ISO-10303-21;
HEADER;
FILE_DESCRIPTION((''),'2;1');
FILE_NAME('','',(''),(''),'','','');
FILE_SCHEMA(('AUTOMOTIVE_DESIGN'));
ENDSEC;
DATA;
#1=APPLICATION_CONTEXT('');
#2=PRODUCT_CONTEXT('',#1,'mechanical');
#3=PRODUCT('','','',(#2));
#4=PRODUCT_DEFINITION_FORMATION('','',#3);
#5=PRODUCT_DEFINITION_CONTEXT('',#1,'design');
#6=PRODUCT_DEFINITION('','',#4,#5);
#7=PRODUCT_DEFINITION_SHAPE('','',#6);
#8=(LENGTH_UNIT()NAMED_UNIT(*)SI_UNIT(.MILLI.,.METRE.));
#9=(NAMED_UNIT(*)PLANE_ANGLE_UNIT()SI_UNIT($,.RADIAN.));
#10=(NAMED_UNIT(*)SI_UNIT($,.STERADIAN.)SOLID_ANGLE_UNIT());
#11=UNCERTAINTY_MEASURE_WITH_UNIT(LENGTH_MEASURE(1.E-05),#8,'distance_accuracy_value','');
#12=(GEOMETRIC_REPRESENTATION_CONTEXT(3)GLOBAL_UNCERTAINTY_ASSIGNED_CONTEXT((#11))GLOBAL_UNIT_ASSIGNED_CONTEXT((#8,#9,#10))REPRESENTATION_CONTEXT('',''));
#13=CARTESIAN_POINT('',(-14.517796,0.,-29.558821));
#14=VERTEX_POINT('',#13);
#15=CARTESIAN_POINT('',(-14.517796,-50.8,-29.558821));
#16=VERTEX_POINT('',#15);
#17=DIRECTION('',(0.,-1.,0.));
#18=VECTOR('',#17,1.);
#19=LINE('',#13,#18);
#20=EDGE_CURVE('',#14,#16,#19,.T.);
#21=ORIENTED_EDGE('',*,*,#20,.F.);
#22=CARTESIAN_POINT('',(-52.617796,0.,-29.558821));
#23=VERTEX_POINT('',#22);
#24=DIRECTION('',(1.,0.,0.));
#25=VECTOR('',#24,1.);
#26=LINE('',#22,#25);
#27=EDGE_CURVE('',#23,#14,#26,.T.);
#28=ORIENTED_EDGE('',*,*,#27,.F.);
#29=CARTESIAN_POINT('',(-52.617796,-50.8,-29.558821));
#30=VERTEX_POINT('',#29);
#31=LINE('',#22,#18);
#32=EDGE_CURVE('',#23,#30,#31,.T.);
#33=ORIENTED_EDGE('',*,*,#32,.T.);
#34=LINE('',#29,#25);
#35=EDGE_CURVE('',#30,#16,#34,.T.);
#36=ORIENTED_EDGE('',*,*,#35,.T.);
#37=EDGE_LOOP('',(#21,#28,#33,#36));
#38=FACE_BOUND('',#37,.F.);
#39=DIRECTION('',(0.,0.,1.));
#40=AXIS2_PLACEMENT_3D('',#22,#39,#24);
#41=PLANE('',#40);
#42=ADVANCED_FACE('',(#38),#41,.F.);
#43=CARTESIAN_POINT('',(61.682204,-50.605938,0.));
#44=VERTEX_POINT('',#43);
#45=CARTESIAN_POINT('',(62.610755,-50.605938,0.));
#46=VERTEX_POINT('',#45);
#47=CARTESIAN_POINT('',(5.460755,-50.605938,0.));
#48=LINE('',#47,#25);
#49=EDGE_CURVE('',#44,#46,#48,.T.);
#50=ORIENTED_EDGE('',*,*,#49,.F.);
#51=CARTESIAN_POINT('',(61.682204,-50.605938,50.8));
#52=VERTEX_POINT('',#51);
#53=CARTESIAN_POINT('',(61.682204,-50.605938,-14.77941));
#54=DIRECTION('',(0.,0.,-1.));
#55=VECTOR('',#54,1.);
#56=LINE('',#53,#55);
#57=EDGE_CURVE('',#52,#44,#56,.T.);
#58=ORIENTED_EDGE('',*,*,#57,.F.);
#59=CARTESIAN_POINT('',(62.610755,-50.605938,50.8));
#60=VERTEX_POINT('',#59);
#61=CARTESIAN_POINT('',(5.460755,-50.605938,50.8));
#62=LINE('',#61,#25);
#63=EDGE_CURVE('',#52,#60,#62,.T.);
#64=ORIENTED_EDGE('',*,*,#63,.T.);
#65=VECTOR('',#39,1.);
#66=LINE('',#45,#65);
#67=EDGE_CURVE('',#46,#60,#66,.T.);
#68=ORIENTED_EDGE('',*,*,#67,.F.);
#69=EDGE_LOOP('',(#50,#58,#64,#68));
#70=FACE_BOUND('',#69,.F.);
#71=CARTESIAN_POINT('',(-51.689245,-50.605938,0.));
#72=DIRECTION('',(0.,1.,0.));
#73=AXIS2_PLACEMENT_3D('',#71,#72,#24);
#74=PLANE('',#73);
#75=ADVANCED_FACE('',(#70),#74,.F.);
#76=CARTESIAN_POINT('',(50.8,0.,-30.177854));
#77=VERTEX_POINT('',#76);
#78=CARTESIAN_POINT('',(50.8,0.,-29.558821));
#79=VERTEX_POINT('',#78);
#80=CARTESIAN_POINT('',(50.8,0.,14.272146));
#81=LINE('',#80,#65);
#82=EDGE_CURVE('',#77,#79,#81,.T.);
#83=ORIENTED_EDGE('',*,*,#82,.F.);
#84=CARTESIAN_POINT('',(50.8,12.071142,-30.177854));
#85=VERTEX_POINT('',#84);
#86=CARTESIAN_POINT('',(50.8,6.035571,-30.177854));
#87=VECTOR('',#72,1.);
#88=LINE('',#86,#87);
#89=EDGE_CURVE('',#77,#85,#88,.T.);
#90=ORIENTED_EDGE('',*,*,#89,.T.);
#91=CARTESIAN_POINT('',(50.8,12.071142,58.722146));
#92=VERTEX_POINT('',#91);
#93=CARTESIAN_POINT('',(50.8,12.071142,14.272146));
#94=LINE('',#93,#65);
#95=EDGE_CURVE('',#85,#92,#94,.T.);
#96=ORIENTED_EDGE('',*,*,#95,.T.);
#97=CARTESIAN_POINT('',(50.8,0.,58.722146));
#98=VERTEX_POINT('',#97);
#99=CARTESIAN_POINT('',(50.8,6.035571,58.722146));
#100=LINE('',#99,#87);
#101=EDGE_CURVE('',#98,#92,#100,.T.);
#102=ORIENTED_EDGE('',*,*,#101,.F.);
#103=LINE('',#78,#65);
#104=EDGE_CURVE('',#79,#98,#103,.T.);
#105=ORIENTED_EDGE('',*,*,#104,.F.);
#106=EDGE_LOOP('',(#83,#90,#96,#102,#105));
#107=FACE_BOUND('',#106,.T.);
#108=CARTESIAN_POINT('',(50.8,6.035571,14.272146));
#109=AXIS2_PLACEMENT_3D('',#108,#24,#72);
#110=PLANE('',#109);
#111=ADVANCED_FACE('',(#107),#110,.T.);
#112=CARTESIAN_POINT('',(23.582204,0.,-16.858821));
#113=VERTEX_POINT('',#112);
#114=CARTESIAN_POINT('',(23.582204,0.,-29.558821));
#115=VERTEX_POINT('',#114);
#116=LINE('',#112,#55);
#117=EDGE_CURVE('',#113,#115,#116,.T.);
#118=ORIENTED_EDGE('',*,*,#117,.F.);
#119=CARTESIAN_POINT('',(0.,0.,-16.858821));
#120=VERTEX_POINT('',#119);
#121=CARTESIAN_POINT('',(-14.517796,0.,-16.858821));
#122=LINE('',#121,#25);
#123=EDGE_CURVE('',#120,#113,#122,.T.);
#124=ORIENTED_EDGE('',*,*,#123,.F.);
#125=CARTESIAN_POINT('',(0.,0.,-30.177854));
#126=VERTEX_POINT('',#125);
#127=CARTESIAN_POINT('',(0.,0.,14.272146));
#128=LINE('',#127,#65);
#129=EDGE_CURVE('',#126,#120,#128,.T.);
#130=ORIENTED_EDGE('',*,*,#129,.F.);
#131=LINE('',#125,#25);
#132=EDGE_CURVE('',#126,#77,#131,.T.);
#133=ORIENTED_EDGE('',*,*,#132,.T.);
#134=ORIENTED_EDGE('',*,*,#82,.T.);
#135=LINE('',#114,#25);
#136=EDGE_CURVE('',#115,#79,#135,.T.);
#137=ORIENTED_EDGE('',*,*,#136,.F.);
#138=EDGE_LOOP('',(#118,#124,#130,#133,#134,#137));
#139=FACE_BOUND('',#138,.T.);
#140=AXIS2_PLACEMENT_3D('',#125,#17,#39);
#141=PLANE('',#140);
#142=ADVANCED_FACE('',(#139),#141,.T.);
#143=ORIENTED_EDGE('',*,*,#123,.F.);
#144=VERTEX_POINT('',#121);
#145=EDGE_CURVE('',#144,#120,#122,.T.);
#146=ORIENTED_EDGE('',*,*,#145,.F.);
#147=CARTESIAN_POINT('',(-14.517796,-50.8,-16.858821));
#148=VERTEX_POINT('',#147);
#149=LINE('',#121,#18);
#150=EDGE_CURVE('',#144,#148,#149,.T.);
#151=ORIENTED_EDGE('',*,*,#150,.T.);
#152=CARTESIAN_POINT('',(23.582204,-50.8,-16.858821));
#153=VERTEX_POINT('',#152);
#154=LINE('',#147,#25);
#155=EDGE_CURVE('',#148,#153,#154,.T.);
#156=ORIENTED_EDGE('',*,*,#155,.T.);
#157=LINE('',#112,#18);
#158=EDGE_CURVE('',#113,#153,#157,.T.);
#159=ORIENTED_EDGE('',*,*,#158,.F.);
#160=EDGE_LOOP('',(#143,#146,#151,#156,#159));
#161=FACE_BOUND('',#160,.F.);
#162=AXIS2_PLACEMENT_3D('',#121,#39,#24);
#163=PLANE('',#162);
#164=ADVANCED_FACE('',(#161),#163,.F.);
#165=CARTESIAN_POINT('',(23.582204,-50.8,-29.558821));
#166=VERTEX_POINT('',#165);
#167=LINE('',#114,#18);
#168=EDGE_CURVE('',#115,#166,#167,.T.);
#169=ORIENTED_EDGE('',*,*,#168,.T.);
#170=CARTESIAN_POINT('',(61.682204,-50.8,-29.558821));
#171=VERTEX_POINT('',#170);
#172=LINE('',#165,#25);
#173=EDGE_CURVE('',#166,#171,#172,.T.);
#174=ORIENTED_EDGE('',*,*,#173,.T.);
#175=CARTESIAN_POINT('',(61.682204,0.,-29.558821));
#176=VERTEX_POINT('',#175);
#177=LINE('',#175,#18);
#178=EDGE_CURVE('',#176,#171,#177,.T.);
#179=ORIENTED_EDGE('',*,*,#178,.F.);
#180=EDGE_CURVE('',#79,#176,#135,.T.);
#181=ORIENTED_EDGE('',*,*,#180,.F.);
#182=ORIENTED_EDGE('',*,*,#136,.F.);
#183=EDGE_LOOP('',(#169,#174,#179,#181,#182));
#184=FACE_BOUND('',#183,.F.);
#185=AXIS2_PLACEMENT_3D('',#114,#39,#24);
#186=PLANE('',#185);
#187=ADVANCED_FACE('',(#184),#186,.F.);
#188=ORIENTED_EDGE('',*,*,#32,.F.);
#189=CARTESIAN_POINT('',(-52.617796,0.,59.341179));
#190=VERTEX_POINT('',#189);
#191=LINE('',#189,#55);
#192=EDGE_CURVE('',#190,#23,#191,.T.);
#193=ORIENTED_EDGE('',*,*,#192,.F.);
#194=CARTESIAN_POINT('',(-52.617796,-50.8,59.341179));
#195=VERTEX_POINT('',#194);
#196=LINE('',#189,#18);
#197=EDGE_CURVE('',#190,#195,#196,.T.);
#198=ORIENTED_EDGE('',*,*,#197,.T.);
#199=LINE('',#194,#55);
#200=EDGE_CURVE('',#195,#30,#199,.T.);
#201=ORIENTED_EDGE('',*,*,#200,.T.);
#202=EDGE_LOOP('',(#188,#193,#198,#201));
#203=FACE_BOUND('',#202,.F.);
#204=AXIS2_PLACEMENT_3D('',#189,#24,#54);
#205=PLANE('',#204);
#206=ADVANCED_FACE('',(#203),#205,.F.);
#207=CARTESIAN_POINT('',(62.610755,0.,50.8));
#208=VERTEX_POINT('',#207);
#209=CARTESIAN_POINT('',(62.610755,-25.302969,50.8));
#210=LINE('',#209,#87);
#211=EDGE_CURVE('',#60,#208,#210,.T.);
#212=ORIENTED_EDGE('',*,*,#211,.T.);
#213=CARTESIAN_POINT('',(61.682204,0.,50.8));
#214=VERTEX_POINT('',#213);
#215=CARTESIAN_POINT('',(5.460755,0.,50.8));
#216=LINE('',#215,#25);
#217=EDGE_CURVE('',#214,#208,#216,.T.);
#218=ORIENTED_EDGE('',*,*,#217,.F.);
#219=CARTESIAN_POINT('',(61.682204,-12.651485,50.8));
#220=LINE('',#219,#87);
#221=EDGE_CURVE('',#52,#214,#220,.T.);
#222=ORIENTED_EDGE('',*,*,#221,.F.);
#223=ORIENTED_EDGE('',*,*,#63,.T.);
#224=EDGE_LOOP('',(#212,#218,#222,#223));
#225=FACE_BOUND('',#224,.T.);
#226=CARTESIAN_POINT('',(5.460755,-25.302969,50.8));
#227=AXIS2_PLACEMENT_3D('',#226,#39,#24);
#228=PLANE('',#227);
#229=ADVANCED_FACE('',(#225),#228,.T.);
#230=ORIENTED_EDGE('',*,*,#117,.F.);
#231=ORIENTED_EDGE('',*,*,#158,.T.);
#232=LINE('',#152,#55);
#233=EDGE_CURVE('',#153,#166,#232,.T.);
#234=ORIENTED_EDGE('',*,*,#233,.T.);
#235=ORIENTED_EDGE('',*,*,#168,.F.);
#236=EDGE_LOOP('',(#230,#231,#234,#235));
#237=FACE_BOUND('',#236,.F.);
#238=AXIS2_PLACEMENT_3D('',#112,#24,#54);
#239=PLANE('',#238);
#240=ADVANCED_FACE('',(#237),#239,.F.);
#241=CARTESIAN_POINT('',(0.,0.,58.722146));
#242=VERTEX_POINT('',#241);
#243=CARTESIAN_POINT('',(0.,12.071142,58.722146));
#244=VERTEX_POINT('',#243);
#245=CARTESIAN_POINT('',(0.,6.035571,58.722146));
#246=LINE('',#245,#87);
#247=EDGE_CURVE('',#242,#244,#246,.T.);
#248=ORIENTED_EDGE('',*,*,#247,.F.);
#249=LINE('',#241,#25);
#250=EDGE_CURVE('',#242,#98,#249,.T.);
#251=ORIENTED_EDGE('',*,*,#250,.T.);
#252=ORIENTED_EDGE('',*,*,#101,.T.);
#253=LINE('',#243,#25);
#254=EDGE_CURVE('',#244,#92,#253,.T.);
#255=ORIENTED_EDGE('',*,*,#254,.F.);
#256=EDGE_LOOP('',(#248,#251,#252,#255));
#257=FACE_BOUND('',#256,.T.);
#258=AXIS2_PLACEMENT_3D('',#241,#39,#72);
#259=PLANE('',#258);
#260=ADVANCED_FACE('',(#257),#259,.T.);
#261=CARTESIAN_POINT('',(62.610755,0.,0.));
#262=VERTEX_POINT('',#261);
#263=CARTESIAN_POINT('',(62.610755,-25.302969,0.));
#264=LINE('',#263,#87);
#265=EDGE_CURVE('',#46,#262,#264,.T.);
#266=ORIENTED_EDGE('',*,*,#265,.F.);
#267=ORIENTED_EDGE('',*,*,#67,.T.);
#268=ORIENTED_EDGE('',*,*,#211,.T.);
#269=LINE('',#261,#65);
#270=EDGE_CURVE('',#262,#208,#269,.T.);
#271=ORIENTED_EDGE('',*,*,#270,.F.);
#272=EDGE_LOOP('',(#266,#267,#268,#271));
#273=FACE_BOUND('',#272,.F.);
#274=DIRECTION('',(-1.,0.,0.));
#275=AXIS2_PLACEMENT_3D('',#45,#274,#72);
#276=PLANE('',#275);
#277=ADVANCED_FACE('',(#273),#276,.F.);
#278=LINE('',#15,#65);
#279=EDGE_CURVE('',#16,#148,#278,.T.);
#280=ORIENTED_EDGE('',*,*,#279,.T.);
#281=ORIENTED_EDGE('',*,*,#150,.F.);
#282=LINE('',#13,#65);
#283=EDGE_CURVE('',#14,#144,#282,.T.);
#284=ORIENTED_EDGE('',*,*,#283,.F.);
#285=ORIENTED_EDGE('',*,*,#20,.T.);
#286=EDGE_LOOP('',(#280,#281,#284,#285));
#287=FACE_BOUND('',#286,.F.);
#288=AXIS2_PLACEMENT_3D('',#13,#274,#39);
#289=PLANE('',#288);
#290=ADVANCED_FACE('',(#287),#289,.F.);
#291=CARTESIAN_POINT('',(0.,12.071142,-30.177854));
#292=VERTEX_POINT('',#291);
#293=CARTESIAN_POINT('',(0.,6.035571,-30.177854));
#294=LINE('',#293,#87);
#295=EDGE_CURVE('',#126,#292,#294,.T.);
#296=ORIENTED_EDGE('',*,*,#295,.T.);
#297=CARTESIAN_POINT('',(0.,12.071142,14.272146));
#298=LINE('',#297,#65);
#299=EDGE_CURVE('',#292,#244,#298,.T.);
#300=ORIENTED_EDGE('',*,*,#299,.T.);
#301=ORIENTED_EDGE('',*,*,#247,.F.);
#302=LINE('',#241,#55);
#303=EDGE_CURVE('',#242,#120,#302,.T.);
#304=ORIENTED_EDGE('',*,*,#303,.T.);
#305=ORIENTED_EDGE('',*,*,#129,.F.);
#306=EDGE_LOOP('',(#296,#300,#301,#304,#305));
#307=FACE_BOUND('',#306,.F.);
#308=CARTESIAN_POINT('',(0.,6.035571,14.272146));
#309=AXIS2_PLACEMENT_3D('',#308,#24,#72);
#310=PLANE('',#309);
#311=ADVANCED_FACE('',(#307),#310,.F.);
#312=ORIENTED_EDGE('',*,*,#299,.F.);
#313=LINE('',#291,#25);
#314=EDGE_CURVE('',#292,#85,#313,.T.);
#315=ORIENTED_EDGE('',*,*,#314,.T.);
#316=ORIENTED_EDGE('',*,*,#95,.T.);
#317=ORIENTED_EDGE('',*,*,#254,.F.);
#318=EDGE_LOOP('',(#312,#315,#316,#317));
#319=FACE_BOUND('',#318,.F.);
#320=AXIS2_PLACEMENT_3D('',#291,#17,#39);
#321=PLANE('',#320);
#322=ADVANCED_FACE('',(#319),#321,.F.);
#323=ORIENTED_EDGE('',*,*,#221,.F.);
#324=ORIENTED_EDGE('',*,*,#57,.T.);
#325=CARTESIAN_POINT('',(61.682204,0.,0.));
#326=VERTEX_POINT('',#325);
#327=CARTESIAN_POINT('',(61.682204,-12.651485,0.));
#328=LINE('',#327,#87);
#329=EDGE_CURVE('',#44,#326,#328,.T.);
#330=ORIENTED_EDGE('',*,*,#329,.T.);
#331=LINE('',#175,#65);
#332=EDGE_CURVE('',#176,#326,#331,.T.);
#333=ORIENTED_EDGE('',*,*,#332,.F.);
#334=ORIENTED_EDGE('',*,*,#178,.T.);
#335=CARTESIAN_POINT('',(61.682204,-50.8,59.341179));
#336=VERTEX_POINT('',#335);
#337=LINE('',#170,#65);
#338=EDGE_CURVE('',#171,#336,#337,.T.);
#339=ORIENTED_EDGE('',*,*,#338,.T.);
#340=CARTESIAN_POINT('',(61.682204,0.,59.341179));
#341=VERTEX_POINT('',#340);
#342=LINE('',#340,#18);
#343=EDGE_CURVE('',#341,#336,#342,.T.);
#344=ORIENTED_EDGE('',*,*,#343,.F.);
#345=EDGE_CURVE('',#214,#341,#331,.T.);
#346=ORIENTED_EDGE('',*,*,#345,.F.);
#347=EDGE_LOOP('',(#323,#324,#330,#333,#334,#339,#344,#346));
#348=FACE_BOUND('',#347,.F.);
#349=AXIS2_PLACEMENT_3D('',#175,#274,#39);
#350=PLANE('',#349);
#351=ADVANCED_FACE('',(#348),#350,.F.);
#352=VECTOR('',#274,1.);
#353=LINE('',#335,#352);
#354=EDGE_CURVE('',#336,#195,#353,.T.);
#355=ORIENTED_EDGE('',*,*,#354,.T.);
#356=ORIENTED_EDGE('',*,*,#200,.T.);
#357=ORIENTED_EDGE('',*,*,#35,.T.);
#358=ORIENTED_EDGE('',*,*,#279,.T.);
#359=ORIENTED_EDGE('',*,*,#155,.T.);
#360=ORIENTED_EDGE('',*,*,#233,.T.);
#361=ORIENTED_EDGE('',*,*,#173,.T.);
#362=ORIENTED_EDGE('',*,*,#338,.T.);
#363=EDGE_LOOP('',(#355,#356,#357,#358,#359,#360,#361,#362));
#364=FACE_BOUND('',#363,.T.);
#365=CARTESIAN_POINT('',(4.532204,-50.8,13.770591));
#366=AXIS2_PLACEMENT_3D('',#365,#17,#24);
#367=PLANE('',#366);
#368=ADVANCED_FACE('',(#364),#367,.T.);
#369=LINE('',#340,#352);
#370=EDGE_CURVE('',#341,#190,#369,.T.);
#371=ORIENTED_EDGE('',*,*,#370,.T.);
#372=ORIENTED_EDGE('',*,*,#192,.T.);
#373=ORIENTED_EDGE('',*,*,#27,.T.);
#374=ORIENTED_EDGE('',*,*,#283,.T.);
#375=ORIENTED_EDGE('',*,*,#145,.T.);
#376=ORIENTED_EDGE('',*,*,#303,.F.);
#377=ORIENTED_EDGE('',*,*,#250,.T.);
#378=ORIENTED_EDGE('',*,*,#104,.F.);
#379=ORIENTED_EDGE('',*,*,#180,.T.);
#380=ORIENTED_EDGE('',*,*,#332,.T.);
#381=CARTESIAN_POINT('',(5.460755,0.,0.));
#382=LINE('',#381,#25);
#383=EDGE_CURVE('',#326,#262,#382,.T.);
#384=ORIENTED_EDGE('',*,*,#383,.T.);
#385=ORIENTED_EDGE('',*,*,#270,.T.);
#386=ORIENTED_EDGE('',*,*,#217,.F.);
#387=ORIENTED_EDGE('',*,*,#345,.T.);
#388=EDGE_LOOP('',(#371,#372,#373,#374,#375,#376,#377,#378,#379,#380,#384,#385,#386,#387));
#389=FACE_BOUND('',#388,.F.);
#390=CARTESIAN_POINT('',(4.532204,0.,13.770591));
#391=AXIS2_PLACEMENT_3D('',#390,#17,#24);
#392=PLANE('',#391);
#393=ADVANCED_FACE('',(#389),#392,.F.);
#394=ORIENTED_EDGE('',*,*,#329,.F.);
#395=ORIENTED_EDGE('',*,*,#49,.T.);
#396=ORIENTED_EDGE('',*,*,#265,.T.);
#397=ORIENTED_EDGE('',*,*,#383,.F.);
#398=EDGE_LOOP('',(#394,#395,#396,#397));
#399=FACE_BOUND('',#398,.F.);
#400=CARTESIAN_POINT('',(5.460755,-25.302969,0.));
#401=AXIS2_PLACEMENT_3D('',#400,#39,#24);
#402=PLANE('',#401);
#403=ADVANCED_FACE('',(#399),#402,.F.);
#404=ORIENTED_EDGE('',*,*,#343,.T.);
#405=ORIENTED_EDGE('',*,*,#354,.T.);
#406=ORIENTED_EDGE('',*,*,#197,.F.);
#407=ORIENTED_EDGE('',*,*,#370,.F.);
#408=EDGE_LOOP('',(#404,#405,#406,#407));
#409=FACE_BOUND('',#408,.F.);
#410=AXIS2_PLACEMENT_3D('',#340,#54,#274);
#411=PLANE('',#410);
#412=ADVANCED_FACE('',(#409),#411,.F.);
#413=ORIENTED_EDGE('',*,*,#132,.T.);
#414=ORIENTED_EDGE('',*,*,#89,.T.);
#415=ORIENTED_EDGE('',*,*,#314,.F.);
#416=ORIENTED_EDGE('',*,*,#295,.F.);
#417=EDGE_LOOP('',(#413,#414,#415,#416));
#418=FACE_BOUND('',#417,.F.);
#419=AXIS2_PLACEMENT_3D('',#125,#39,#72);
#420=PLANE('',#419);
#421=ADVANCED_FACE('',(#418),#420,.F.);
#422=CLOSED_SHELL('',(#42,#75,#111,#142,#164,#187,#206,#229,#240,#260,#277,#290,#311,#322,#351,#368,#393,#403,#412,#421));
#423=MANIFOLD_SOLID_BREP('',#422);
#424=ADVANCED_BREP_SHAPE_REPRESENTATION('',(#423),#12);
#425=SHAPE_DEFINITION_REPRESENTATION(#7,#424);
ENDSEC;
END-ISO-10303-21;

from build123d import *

# Parameters (mm, degrees)
F1_DEPTH = 50.8
F2_W     = 12.071142
F2_H     = 88.9
F3_DEPTH = 50.8
F4_W     = 114.3
F4_H     = 50.605938
F5_DEPTH = 50.8


with BuildPart() as f1:
    # F0 (on Front) → F1 (new body)
    with BuildSketch(Plane.XZ):
        Polygon((61.682204, 59.341179), (-52.617796, 59.341179), (-52.617796, -29.558821), (-14.517796, -29.558821), (-14.517796, -16.858821), (23.582204, -16.858821), (23.582204, -29.558821), (61.682204, -29.558821), align=None)
    extrude(amount=F1_DEPTH)

    # F2 (on Right) → F3 (join)
    with BuildSketch(Plane.YZ):
        with Locations((6.035571, 14.272146)):
            Rectangle(F2_W, F2_H)
    extrude(amount=F3_DEPTH)

    # F4 (on Top) → F5 (join)
    with BuildSketch(Plane.XY):
        with Locations((5.460755, -25.302969)):
            Rectangle(F4_W, F4_H)
    extrude(amount=F5_DEPTH)


solid = f1.part
